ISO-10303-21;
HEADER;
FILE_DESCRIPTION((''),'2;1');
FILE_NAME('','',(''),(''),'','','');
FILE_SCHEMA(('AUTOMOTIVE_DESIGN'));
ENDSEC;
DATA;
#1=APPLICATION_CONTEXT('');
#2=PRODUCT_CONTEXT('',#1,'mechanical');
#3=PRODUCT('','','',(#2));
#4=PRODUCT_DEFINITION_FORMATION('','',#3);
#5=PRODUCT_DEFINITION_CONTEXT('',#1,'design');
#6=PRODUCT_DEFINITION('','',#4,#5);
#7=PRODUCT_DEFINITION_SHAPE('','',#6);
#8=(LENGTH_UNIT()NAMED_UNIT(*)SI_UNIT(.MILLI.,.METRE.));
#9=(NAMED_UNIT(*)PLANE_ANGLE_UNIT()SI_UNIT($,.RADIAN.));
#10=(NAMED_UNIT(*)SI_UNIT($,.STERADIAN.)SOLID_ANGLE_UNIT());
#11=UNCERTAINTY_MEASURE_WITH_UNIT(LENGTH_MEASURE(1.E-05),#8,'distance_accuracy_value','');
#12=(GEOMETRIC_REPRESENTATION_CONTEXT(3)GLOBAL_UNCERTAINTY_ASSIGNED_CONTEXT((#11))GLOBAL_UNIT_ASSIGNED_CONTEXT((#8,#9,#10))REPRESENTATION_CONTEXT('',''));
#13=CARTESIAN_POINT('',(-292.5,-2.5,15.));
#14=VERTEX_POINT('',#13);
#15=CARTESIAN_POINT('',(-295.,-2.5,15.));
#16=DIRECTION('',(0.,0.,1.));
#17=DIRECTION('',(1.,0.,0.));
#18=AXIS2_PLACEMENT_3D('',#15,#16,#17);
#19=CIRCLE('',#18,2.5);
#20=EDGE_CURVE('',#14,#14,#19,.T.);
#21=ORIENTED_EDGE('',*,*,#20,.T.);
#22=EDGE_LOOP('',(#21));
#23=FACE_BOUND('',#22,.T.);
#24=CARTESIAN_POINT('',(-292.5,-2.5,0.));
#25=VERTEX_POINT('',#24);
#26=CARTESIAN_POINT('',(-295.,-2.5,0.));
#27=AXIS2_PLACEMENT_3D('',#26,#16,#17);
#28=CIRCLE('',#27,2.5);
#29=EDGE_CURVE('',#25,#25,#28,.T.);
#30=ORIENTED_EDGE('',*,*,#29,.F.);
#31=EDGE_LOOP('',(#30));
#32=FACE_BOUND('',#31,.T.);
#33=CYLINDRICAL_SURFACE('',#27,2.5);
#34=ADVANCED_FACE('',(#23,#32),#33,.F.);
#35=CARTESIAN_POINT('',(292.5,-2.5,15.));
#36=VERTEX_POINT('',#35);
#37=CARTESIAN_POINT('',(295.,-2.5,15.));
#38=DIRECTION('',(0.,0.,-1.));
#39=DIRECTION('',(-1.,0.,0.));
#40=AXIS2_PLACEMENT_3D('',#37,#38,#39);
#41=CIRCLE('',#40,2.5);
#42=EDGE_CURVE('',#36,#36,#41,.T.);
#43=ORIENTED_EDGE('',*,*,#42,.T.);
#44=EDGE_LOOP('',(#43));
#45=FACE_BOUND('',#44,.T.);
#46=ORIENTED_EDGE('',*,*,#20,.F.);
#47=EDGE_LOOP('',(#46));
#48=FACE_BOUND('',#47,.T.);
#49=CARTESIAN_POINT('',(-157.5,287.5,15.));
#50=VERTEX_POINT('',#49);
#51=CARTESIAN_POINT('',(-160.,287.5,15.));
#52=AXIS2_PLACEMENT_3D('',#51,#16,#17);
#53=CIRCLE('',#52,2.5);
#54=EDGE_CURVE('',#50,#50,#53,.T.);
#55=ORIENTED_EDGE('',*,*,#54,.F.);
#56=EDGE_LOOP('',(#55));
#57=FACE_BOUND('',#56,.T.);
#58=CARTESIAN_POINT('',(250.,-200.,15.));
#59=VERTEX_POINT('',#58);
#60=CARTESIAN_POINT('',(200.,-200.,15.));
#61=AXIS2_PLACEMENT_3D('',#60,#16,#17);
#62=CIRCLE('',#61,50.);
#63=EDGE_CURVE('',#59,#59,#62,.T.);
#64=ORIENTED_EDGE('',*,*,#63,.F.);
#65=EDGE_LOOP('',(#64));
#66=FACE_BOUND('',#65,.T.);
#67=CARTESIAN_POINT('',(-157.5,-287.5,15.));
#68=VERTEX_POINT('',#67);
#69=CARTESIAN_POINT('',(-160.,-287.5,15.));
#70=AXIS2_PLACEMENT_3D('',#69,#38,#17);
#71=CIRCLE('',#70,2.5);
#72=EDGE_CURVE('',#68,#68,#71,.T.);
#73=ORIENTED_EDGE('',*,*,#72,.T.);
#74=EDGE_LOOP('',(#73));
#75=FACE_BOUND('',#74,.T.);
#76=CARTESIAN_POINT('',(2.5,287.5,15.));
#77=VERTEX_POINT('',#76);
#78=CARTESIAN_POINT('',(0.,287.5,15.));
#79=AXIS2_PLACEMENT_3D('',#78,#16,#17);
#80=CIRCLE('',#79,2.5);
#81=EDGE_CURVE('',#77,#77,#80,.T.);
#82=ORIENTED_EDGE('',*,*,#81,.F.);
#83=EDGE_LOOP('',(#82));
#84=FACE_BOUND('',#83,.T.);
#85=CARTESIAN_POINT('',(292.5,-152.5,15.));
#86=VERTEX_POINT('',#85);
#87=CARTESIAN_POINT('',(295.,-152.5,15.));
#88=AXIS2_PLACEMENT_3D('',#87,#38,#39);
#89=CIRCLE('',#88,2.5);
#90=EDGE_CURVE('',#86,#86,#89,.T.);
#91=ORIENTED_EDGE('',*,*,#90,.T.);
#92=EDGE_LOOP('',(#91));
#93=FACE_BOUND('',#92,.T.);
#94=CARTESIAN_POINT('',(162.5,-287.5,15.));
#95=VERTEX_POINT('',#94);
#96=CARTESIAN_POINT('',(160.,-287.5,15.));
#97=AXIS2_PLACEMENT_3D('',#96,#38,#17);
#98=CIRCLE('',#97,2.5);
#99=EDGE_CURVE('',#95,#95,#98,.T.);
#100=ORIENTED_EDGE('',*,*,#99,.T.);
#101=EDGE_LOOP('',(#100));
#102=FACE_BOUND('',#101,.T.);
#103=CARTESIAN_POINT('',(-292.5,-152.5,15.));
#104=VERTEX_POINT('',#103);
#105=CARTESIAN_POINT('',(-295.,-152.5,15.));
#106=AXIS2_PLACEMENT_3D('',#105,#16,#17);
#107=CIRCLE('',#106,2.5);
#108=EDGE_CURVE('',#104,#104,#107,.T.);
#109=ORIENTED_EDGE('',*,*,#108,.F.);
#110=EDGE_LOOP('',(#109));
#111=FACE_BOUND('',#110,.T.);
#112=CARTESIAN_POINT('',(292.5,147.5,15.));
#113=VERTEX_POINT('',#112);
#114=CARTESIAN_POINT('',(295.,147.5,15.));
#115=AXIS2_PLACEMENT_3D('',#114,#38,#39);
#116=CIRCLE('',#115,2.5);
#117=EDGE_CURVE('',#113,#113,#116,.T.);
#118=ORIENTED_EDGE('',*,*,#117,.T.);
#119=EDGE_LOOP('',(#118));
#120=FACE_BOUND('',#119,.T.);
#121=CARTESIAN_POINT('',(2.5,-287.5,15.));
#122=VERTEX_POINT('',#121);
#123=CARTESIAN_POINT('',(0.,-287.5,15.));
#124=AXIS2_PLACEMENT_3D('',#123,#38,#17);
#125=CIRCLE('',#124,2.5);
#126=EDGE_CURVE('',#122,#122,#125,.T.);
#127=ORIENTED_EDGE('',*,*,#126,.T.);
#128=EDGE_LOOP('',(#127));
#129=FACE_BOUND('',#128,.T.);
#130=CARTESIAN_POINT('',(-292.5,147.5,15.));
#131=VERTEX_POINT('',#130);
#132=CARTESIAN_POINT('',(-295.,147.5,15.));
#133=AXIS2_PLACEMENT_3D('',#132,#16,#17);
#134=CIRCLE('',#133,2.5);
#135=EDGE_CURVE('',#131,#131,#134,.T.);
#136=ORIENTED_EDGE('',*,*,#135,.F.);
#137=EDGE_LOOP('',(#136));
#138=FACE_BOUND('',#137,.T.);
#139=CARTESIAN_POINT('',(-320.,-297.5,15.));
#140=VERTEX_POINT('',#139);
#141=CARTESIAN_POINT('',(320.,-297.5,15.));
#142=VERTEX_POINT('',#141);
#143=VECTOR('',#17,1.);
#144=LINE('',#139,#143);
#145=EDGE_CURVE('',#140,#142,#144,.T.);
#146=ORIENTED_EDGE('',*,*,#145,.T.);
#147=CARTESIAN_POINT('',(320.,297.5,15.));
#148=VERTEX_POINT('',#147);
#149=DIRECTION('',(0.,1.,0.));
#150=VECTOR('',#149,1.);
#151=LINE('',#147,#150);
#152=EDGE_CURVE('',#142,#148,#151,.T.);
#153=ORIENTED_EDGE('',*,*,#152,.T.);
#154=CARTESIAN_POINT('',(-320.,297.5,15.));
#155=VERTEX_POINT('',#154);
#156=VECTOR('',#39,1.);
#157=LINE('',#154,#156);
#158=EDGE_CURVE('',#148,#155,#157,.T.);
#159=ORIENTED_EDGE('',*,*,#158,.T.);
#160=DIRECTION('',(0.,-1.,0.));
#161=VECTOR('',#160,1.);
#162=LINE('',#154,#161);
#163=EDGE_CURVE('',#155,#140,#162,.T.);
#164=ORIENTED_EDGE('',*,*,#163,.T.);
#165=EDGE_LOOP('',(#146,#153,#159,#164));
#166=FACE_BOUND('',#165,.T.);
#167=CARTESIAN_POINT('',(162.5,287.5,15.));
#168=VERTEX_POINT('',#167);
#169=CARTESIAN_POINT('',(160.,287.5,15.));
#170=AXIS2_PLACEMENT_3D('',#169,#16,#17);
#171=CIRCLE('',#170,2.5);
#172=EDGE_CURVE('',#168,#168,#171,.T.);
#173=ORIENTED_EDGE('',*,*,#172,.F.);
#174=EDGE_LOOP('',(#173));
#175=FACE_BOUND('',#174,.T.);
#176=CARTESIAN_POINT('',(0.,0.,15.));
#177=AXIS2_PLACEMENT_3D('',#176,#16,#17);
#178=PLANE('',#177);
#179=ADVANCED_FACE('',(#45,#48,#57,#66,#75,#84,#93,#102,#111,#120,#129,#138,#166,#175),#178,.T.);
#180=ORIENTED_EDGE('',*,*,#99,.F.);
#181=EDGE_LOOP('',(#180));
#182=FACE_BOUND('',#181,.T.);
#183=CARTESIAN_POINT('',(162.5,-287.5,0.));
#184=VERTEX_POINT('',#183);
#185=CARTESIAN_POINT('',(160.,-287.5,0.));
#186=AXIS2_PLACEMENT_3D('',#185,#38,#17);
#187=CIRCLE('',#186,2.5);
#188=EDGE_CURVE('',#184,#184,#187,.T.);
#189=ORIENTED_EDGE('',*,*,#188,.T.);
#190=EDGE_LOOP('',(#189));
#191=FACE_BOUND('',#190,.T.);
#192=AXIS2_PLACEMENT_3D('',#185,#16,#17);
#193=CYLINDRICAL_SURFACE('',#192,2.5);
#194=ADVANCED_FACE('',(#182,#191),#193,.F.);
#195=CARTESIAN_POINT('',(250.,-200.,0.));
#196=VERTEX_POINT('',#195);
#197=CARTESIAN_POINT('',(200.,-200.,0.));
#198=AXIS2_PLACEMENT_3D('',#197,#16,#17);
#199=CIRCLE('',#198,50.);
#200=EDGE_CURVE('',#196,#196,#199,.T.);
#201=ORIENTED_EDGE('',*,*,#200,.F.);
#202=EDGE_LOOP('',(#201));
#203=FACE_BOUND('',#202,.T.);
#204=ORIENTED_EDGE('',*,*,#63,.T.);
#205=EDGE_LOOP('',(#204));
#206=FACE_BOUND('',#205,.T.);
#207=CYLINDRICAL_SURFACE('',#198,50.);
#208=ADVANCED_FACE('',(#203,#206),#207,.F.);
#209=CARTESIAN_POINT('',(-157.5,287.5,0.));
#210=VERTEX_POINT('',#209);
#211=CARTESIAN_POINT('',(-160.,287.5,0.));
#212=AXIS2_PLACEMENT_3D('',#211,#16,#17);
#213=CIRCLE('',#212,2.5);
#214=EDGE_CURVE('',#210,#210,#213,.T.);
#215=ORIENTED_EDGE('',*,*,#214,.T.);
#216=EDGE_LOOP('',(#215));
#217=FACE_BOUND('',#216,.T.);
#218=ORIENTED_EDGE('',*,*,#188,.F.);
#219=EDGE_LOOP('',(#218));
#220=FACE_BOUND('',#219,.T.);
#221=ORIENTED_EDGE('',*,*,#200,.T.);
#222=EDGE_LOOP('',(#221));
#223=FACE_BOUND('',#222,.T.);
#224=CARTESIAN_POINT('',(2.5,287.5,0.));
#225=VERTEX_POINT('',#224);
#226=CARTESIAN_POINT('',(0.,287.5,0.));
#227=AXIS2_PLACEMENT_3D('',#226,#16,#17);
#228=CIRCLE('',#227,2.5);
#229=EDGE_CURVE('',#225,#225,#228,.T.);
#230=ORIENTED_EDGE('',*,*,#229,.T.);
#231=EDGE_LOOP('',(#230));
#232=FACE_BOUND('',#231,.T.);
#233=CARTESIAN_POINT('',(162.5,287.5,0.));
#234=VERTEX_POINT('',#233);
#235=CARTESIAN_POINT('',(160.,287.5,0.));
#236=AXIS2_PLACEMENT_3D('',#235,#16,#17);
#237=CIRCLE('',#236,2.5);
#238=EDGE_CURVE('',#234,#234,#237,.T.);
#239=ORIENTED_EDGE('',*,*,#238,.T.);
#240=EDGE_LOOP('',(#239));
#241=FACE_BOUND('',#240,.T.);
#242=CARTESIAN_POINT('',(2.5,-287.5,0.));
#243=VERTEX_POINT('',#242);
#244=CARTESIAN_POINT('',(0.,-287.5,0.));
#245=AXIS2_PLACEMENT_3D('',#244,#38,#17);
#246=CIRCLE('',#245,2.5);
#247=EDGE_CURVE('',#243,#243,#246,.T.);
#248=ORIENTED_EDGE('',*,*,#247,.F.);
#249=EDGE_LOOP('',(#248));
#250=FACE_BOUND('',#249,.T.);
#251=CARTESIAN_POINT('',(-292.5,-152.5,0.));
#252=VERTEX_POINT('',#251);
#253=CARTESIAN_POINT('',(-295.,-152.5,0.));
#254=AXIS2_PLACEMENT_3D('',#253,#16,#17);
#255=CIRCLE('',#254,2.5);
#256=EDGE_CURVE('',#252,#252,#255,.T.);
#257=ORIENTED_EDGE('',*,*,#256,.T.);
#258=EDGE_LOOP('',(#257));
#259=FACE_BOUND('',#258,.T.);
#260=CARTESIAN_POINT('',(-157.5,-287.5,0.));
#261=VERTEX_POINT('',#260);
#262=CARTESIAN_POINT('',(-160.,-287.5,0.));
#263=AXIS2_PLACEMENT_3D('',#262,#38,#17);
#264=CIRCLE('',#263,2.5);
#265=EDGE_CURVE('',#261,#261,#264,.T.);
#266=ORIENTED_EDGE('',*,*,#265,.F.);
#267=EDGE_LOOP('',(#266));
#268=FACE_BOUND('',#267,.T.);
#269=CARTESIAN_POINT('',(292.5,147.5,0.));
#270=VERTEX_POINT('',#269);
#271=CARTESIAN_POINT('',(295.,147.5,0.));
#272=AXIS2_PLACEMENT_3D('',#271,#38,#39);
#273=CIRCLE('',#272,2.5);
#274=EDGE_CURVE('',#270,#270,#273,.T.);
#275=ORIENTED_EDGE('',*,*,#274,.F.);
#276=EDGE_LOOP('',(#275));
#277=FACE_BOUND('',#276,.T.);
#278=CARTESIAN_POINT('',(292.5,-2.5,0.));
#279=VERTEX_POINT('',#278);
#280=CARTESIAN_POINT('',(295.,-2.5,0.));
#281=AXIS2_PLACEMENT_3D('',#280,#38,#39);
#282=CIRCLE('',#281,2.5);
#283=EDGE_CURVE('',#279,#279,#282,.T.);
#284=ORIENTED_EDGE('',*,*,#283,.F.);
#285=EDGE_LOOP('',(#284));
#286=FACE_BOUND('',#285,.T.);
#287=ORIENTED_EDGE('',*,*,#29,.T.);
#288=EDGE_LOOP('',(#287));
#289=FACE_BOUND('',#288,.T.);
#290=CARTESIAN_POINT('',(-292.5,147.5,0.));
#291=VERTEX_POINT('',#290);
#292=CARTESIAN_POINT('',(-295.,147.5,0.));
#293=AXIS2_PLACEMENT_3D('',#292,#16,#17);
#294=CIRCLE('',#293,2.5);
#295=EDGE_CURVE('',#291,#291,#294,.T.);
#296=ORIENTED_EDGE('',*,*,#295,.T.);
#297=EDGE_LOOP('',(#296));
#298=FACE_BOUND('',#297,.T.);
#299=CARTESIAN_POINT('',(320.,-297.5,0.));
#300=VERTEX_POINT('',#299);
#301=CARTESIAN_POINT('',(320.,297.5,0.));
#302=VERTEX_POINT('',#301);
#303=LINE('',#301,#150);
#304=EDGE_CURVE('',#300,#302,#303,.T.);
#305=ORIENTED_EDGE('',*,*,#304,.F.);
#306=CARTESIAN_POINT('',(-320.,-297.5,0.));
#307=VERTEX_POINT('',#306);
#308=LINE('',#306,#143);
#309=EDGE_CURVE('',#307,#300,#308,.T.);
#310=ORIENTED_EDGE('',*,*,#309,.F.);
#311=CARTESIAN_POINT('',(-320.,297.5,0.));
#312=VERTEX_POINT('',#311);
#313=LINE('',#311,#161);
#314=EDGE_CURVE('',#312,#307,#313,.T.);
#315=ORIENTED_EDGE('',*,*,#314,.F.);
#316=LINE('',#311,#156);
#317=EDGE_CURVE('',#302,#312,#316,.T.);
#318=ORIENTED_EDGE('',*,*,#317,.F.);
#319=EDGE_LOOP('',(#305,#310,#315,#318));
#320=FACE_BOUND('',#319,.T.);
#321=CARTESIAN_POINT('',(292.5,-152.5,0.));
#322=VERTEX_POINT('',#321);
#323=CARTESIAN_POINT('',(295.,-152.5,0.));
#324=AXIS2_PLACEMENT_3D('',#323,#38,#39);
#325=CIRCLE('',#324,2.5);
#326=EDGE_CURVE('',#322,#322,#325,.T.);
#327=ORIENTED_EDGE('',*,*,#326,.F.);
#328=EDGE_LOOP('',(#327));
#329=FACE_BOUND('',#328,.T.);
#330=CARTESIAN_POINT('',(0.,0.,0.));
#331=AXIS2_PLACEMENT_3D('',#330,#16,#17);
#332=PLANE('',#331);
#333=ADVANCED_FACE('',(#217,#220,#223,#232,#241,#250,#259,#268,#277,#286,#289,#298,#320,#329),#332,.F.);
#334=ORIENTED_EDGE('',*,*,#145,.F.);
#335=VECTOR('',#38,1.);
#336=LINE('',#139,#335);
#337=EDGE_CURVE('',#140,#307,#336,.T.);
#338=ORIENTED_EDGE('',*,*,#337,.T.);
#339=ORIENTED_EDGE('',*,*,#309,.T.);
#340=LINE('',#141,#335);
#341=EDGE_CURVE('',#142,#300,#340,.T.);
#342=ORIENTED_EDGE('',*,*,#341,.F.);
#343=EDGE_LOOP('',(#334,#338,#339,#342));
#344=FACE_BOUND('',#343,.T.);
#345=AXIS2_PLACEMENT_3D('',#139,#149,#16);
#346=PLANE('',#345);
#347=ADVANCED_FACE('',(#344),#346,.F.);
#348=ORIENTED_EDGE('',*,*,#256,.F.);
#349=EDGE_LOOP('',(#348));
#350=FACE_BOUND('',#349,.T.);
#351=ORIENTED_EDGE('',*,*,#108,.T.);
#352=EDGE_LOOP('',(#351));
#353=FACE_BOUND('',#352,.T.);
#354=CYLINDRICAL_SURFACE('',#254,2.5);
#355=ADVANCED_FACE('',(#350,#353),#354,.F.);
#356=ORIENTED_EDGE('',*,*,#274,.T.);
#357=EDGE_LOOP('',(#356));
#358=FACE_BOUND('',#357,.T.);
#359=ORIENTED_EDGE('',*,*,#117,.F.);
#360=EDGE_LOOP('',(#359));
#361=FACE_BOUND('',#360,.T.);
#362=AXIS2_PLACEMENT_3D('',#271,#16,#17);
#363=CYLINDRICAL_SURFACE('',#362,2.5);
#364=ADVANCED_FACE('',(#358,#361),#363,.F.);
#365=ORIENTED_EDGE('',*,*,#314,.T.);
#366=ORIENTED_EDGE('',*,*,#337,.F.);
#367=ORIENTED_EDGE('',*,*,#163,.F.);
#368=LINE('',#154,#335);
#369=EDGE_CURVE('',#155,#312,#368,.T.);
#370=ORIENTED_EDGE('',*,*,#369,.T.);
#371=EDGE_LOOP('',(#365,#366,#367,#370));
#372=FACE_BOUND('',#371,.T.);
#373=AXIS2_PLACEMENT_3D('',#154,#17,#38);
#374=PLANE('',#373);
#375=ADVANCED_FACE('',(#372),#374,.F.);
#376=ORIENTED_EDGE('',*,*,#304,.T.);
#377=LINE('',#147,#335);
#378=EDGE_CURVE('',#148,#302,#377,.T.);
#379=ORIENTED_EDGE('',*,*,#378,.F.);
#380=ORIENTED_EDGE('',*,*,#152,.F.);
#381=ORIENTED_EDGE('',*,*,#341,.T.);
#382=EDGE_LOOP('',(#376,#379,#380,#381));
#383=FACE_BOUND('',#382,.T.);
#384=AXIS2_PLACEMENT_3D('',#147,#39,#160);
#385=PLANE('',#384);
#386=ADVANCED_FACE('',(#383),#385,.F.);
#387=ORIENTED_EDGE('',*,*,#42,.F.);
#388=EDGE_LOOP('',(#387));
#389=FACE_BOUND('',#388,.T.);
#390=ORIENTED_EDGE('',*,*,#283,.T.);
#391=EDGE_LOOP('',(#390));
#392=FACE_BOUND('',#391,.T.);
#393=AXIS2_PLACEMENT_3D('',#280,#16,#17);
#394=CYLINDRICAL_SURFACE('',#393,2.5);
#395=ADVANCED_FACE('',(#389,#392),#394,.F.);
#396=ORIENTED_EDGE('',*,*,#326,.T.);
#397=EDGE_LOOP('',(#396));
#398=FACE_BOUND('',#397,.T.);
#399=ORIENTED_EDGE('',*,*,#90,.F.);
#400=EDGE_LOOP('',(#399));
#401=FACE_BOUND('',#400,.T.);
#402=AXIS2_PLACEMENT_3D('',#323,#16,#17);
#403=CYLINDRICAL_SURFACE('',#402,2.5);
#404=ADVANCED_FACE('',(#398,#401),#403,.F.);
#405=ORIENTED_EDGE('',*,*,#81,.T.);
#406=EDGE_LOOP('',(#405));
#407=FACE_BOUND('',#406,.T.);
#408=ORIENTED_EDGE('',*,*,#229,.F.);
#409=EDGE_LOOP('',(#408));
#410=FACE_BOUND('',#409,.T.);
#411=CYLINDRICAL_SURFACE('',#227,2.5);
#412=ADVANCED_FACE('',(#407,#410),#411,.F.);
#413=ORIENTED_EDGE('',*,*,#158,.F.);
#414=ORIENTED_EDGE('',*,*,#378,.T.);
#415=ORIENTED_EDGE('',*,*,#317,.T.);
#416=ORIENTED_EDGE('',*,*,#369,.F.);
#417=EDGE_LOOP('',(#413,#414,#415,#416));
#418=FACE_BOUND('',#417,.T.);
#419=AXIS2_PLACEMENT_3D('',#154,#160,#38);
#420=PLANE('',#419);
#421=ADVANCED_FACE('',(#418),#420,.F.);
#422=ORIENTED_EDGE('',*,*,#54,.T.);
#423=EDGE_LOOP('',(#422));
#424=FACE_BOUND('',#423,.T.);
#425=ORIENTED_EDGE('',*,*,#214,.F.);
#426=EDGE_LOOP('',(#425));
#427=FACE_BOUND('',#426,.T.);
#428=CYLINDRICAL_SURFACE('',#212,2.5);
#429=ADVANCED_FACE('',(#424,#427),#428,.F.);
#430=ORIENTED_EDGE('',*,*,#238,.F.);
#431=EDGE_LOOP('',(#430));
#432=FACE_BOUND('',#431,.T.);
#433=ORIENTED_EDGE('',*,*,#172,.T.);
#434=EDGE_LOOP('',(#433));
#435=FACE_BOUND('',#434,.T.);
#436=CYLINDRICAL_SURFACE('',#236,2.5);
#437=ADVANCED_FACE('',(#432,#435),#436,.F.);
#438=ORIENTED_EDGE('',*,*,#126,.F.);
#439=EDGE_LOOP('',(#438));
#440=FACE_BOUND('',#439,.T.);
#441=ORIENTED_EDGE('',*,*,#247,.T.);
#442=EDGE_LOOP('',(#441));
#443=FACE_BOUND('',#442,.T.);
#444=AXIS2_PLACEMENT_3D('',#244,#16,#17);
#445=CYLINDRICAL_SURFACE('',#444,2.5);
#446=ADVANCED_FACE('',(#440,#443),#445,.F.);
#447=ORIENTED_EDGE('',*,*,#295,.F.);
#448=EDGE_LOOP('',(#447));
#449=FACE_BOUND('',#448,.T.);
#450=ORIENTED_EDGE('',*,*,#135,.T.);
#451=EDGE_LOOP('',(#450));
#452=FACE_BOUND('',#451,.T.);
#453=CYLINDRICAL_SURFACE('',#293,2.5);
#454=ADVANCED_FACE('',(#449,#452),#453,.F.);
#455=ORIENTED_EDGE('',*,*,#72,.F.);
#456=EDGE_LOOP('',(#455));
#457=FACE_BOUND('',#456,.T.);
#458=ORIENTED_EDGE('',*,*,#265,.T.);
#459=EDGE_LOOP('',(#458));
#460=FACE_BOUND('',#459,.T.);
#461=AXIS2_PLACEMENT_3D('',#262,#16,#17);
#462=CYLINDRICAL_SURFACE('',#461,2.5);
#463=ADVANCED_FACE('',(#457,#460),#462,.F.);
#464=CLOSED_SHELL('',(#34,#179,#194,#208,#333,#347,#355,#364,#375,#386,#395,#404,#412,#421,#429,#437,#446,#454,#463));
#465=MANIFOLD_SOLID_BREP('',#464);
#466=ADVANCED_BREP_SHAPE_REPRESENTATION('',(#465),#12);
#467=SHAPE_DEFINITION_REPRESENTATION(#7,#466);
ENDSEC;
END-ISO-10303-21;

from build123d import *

# Parameters (mm, degrees)
SKETCH_1_W          = 640
SKETCH_1_H          = 595
EXTRUDE_1_DEPTH     = 15
SKETCH_2_R          = 2.5
CUT_EXTRUDE_1_DEPTH = 16
SKETCH_2_3_R        = 2.5
CUT_EXTRUDE_2_DEPTH = 16
SKETCH_3_R          = 50
CUT_EXTRUDE_3_DEPTH = 16


with BuildPart() as part:
    # ｽｹｯﾁ1 → ﾎﾞｽ - 押し出し1 (new body)
    with BuildSketch(Plane.XY):
        Rectangle(SKETCH_1_W, SKETCH_1_H)
    extrude(amount=EXTRUDE_1_DEPTH)

    # ｽｹｯﾁ2 → ｶｯﾄ - 押し出し1 (cut, through all)
    with BuildSketch(Plane.XY.offset(15)):
        with Locations((-160, 287.5)):
            Circle(SKETCH_2_R)
        with Locations((0, 287.5)):
            Circle(SKETCH_2_R)
        with Locations((160, 287.5)):
            Circle(SKETCH_2_R)
    cut_extrude_1 = extrude(amount=-CUT_EXTRUDE_1_DEPTH, mode=Mode.SUBTRACT)

    # ｽｹｯﾁ2<3> → ｶｯﾄ - 押し出し2 (cut, through all)
    with BuildSketch(Plane.XY.offset(15)):
        with Locations((-295, 147.5)):
            Circle(SKETCH_2_3_R)
        with Locations((-295, -2.5)):
            Circle(SKETCH_2_3_R)
        with Locations((-295, -152.5)):
            Circle(SKETCH_2_3_R)
    cut_extrude_2 = extrude(amount=-CUT_EXTRUDE_2_DEPTH, mode=Mode.SUBTRACT)

    # ﾐﾗｰ1: ｶｯﾄ - 押し出し1 across plane
    add(cut_extrude_1.mirror(Plane.ZX), mode=Mode.SUBTRACT)

    # ﾐﾗｰ2: ｶｯﾄ - 押し出し2 across plane
    add(cut_extrude_2.mirror(Plane(origin=(0, 0, 0), x_dir=(0, 0, 1), z_dir=(1, 0, 0))), mode=Mode.SUBTRACT)

    # ｽｹｯﾁ3 → ｶｯﾄ - 押し出し3 (cut, through all)
    with BuildSketch(Plane.XY.offset(15)):
        with Locations((200, -200)):
            Circle(SKETCH_3_R)
    extrude(amount=-CUT_EXTRUDE_3_DEPTH, mode=Mode.SUBTRACT)


solid = part.part
